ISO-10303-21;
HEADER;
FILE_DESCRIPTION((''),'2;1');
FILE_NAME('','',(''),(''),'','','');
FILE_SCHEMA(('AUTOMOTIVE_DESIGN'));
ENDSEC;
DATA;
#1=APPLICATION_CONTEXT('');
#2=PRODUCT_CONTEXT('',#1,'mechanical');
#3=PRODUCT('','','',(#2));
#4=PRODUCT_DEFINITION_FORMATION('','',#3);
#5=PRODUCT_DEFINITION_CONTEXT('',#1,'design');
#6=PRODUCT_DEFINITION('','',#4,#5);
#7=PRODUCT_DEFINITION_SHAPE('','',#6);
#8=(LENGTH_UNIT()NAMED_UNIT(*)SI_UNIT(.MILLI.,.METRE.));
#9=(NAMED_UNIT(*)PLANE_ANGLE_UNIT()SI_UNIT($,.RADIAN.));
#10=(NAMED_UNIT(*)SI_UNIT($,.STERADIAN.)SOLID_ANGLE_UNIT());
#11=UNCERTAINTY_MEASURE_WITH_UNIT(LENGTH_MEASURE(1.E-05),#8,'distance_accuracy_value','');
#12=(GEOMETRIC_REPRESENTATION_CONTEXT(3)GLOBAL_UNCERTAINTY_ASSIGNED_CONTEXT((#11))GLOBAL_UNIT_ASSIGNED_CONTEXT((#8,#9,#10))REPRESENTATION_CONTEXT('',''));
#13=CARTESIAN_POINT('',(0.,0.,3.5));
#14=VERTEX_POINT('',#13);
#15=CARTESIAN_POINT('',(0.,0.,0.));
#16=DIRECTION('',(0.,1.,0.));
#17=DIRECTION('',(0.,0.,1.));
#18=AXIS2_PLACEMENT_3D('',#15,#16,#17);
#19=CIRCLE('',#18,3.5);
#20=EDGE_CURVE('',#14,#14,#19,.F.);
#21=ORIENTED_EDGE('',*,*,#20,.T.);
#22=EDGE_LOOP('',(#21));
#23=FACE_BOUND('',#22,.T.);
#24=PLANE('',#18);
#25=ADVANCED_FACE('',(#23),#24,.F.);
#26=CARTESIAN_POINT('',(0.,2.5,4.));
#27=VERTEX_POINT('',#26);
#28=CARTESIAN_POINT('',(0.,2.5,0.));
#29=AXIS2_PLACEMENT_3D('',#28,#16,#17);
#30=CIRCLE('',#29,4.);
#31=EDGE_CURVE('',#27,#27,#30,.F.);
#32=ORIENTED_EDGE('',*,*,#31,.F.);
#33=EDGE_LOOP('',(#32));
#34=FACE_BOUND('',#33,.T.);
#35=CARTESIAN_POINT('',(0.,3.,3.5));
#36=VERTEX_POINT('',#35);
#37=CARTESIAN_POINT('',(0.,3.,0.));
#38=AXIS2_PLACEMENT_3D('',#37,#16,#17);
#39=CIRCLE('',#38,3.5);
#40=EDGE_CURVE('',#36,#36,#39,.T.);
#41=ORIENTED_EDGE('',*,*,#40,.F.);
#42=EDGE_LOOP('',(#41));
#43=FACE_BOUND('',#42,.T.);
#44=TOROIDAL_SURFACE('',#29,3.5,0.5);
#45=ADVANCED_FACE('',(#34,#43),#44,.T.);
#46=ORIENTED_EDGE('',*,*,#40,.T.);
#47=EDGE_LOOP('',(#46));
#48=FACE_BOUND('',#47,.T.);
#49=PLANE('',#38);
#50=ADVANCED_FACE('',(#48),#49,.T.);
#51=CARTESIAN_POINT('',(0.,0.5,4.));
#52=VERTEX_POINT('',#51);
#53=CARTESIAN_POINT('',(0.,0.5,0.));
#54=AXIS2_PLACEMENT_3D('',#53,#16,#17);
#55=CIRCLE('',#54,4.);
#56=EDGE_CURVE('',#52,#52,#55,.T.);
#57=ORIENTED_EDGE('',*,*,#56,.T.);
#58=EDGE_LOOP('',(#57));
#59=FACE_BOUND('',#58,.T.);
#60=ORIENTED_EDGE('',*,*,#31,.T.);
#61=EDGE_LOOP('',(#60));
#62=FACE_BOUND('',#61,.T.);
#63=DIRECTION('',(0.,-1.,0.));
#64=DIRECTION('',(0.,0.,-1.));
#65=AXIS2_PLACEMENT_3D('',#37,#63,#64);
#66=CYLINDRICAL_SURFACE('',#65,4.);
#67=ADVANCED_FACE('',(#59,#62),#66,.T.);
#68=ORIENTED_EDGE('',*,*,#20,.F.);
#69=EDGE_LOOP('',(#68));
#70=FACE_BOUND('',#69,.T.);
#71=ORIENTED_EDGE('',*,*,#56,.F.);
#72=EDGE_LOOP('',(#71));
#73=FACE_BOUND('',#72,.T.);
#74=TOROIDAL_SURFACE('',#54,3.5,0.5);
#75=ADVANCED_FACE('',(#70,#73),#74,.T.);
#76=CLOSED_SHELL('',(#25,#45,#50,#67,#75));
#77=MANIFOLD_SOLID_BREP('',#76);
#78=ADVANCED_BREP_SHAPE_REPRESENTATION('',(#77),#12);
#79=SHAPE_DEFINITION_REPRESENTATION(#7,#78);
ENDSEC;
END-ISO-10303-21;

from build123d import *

# Parameters (mm, degrees)
SKETCH1_R           = 4
BOSS_EXTRUDE1_DEPTH = 3
FILLET1_R           = 0.5


with BuildPart() as part:
    # Sketch1 → Boss-Extrude1 (new body)
    with BuildSketch(Plane(origin=(0, 0, 0), x_dir=(1, 0, 0), z_dir=(0, 1, 0))):
        with Locations(Location((0, 0, 0), (0, 0, 270))):
            Circle(SKETCH1_R)
    extrude(amount=BOSS_EXTRUDE1_DEPTH)

    # Fillet1
    fillet1_edges = [part.edges().sort_by_distance(p)[0] for p in [
        (0, 0, -4),
        (0, 3, -4),
    ]]
    fillet(fillet1_edges, radius=FILLET1_R)


solid = part.part
